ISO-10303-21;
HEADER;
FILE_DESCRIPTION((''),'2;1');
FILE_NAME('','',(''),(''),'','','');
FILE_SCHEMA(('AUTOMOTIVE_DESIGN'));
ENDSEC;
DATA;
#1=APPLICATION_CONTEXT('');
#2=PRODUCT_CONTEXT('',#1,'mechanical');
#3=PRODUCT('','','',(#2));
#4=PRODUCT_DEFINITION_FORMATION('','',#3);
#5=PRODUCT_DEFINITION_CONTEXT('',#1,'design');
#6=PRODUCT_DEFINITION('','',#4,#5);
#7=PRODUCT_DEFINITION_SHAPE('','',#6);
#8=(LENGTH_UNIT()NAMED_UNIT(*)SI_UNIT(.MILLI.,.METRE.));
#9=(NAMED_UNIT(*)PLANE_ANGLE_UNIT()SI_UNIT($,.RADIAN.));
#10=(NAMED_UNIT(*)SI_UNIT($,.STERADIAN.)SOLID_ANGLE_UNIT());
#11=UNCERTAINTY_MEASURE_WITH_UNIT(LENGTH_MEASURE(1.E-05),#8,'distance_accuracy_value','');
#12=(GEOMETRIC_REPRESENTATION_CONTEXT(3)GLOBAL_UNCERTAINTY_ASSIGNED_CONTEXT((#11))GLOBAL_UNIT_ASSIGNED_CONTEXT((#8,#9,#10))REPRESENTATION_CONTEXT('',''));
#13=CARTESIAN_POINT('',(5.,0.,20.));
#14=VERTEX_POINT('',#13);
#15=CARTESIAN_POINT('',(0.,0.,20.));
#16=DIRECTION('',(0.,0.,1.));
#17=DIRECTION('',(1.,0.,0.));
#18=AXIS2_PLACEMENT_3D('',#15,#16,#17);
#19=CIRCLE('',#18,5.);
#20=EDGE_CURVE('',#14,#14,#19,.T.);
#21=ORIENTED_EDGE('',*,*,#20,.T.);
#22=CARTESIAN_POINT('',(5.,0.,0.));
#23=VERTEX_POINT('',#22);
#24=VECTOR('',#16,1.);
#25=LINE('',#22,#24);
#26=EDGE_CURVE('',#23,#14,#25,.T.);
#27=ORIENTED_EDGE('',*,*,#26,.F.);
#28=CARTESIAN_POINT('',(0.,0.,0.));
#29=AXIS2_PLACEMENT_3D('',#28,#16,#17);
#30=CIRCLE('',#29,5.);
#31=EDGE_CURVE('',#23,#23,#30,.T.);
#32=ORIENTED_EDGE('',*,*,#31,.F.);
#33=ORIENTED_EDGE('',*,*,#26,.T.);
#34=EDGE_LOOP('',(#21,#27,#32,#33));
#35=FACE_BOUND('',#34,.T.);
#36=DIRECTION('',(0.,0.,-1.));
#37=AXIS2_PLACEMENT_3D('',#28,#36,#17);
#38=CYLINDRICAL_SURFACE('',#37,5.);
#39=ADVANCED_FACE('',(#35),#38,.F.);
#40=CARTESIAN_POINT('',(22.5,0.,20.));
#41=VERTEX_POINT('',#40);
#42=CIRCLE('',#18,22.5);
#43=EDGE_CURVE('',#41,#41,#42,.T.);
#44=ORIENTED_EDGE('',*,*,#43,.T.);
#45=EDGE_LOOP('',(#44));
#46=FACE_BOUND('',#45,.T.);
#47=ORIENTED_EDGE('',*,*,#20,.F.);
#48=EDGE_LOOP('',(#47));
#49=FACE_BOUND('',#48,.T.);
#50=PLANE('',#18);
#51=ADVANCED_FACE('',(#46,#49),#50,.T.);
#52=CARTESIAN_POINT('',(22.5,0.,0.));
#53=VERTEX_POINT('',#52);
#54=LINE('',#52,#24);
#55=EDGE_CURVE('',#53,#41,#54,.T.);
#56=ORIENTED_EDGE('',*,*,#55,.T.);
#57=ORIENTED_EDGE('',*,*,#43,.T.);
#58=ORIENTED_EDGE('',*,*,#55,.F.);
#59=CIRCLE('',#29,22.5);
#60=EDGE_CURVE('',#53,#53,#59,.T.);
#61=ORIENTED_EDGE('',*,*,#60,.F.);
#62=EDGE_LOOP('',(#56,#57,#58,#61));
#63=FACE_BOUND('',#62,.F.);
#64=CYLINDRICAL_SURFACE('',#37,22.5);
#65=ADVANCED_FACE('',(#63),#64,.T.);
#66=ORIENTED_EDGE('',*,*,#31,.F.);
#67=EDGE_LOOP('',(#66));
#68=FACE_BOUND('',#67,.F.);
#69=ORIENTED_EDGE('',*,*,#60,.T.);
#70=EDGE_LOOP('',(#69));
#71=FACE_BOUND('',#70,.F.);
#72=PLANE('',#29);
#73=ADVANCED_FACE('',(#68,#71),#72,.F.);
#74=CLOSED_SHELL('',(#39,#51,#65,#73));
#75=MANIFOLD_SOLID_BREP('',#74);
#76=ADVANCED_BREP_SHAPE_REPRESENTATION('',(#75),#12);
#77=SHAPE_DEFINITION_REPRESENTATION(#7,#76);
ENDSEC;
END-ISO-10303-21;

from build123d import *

# Parameters (mm, degrees)
SKETCH1_R           = 22.5
SKETCH1_R_2         = 5
BOSS_EXTRUDE1_DEPTH = 20


with BuildPart() as part:
    # Sketch1 → Boss-Extrude1 (new body)
    with BuildSketch(Plane.XY):
        Circle(SKETCH1_R)
        Circle(SKETCH1_R_2, mode=Mode.SUBTRACT)
    extrude(amount=BOSS_EXTRUDE1_DEPTH)


solid = part.part
